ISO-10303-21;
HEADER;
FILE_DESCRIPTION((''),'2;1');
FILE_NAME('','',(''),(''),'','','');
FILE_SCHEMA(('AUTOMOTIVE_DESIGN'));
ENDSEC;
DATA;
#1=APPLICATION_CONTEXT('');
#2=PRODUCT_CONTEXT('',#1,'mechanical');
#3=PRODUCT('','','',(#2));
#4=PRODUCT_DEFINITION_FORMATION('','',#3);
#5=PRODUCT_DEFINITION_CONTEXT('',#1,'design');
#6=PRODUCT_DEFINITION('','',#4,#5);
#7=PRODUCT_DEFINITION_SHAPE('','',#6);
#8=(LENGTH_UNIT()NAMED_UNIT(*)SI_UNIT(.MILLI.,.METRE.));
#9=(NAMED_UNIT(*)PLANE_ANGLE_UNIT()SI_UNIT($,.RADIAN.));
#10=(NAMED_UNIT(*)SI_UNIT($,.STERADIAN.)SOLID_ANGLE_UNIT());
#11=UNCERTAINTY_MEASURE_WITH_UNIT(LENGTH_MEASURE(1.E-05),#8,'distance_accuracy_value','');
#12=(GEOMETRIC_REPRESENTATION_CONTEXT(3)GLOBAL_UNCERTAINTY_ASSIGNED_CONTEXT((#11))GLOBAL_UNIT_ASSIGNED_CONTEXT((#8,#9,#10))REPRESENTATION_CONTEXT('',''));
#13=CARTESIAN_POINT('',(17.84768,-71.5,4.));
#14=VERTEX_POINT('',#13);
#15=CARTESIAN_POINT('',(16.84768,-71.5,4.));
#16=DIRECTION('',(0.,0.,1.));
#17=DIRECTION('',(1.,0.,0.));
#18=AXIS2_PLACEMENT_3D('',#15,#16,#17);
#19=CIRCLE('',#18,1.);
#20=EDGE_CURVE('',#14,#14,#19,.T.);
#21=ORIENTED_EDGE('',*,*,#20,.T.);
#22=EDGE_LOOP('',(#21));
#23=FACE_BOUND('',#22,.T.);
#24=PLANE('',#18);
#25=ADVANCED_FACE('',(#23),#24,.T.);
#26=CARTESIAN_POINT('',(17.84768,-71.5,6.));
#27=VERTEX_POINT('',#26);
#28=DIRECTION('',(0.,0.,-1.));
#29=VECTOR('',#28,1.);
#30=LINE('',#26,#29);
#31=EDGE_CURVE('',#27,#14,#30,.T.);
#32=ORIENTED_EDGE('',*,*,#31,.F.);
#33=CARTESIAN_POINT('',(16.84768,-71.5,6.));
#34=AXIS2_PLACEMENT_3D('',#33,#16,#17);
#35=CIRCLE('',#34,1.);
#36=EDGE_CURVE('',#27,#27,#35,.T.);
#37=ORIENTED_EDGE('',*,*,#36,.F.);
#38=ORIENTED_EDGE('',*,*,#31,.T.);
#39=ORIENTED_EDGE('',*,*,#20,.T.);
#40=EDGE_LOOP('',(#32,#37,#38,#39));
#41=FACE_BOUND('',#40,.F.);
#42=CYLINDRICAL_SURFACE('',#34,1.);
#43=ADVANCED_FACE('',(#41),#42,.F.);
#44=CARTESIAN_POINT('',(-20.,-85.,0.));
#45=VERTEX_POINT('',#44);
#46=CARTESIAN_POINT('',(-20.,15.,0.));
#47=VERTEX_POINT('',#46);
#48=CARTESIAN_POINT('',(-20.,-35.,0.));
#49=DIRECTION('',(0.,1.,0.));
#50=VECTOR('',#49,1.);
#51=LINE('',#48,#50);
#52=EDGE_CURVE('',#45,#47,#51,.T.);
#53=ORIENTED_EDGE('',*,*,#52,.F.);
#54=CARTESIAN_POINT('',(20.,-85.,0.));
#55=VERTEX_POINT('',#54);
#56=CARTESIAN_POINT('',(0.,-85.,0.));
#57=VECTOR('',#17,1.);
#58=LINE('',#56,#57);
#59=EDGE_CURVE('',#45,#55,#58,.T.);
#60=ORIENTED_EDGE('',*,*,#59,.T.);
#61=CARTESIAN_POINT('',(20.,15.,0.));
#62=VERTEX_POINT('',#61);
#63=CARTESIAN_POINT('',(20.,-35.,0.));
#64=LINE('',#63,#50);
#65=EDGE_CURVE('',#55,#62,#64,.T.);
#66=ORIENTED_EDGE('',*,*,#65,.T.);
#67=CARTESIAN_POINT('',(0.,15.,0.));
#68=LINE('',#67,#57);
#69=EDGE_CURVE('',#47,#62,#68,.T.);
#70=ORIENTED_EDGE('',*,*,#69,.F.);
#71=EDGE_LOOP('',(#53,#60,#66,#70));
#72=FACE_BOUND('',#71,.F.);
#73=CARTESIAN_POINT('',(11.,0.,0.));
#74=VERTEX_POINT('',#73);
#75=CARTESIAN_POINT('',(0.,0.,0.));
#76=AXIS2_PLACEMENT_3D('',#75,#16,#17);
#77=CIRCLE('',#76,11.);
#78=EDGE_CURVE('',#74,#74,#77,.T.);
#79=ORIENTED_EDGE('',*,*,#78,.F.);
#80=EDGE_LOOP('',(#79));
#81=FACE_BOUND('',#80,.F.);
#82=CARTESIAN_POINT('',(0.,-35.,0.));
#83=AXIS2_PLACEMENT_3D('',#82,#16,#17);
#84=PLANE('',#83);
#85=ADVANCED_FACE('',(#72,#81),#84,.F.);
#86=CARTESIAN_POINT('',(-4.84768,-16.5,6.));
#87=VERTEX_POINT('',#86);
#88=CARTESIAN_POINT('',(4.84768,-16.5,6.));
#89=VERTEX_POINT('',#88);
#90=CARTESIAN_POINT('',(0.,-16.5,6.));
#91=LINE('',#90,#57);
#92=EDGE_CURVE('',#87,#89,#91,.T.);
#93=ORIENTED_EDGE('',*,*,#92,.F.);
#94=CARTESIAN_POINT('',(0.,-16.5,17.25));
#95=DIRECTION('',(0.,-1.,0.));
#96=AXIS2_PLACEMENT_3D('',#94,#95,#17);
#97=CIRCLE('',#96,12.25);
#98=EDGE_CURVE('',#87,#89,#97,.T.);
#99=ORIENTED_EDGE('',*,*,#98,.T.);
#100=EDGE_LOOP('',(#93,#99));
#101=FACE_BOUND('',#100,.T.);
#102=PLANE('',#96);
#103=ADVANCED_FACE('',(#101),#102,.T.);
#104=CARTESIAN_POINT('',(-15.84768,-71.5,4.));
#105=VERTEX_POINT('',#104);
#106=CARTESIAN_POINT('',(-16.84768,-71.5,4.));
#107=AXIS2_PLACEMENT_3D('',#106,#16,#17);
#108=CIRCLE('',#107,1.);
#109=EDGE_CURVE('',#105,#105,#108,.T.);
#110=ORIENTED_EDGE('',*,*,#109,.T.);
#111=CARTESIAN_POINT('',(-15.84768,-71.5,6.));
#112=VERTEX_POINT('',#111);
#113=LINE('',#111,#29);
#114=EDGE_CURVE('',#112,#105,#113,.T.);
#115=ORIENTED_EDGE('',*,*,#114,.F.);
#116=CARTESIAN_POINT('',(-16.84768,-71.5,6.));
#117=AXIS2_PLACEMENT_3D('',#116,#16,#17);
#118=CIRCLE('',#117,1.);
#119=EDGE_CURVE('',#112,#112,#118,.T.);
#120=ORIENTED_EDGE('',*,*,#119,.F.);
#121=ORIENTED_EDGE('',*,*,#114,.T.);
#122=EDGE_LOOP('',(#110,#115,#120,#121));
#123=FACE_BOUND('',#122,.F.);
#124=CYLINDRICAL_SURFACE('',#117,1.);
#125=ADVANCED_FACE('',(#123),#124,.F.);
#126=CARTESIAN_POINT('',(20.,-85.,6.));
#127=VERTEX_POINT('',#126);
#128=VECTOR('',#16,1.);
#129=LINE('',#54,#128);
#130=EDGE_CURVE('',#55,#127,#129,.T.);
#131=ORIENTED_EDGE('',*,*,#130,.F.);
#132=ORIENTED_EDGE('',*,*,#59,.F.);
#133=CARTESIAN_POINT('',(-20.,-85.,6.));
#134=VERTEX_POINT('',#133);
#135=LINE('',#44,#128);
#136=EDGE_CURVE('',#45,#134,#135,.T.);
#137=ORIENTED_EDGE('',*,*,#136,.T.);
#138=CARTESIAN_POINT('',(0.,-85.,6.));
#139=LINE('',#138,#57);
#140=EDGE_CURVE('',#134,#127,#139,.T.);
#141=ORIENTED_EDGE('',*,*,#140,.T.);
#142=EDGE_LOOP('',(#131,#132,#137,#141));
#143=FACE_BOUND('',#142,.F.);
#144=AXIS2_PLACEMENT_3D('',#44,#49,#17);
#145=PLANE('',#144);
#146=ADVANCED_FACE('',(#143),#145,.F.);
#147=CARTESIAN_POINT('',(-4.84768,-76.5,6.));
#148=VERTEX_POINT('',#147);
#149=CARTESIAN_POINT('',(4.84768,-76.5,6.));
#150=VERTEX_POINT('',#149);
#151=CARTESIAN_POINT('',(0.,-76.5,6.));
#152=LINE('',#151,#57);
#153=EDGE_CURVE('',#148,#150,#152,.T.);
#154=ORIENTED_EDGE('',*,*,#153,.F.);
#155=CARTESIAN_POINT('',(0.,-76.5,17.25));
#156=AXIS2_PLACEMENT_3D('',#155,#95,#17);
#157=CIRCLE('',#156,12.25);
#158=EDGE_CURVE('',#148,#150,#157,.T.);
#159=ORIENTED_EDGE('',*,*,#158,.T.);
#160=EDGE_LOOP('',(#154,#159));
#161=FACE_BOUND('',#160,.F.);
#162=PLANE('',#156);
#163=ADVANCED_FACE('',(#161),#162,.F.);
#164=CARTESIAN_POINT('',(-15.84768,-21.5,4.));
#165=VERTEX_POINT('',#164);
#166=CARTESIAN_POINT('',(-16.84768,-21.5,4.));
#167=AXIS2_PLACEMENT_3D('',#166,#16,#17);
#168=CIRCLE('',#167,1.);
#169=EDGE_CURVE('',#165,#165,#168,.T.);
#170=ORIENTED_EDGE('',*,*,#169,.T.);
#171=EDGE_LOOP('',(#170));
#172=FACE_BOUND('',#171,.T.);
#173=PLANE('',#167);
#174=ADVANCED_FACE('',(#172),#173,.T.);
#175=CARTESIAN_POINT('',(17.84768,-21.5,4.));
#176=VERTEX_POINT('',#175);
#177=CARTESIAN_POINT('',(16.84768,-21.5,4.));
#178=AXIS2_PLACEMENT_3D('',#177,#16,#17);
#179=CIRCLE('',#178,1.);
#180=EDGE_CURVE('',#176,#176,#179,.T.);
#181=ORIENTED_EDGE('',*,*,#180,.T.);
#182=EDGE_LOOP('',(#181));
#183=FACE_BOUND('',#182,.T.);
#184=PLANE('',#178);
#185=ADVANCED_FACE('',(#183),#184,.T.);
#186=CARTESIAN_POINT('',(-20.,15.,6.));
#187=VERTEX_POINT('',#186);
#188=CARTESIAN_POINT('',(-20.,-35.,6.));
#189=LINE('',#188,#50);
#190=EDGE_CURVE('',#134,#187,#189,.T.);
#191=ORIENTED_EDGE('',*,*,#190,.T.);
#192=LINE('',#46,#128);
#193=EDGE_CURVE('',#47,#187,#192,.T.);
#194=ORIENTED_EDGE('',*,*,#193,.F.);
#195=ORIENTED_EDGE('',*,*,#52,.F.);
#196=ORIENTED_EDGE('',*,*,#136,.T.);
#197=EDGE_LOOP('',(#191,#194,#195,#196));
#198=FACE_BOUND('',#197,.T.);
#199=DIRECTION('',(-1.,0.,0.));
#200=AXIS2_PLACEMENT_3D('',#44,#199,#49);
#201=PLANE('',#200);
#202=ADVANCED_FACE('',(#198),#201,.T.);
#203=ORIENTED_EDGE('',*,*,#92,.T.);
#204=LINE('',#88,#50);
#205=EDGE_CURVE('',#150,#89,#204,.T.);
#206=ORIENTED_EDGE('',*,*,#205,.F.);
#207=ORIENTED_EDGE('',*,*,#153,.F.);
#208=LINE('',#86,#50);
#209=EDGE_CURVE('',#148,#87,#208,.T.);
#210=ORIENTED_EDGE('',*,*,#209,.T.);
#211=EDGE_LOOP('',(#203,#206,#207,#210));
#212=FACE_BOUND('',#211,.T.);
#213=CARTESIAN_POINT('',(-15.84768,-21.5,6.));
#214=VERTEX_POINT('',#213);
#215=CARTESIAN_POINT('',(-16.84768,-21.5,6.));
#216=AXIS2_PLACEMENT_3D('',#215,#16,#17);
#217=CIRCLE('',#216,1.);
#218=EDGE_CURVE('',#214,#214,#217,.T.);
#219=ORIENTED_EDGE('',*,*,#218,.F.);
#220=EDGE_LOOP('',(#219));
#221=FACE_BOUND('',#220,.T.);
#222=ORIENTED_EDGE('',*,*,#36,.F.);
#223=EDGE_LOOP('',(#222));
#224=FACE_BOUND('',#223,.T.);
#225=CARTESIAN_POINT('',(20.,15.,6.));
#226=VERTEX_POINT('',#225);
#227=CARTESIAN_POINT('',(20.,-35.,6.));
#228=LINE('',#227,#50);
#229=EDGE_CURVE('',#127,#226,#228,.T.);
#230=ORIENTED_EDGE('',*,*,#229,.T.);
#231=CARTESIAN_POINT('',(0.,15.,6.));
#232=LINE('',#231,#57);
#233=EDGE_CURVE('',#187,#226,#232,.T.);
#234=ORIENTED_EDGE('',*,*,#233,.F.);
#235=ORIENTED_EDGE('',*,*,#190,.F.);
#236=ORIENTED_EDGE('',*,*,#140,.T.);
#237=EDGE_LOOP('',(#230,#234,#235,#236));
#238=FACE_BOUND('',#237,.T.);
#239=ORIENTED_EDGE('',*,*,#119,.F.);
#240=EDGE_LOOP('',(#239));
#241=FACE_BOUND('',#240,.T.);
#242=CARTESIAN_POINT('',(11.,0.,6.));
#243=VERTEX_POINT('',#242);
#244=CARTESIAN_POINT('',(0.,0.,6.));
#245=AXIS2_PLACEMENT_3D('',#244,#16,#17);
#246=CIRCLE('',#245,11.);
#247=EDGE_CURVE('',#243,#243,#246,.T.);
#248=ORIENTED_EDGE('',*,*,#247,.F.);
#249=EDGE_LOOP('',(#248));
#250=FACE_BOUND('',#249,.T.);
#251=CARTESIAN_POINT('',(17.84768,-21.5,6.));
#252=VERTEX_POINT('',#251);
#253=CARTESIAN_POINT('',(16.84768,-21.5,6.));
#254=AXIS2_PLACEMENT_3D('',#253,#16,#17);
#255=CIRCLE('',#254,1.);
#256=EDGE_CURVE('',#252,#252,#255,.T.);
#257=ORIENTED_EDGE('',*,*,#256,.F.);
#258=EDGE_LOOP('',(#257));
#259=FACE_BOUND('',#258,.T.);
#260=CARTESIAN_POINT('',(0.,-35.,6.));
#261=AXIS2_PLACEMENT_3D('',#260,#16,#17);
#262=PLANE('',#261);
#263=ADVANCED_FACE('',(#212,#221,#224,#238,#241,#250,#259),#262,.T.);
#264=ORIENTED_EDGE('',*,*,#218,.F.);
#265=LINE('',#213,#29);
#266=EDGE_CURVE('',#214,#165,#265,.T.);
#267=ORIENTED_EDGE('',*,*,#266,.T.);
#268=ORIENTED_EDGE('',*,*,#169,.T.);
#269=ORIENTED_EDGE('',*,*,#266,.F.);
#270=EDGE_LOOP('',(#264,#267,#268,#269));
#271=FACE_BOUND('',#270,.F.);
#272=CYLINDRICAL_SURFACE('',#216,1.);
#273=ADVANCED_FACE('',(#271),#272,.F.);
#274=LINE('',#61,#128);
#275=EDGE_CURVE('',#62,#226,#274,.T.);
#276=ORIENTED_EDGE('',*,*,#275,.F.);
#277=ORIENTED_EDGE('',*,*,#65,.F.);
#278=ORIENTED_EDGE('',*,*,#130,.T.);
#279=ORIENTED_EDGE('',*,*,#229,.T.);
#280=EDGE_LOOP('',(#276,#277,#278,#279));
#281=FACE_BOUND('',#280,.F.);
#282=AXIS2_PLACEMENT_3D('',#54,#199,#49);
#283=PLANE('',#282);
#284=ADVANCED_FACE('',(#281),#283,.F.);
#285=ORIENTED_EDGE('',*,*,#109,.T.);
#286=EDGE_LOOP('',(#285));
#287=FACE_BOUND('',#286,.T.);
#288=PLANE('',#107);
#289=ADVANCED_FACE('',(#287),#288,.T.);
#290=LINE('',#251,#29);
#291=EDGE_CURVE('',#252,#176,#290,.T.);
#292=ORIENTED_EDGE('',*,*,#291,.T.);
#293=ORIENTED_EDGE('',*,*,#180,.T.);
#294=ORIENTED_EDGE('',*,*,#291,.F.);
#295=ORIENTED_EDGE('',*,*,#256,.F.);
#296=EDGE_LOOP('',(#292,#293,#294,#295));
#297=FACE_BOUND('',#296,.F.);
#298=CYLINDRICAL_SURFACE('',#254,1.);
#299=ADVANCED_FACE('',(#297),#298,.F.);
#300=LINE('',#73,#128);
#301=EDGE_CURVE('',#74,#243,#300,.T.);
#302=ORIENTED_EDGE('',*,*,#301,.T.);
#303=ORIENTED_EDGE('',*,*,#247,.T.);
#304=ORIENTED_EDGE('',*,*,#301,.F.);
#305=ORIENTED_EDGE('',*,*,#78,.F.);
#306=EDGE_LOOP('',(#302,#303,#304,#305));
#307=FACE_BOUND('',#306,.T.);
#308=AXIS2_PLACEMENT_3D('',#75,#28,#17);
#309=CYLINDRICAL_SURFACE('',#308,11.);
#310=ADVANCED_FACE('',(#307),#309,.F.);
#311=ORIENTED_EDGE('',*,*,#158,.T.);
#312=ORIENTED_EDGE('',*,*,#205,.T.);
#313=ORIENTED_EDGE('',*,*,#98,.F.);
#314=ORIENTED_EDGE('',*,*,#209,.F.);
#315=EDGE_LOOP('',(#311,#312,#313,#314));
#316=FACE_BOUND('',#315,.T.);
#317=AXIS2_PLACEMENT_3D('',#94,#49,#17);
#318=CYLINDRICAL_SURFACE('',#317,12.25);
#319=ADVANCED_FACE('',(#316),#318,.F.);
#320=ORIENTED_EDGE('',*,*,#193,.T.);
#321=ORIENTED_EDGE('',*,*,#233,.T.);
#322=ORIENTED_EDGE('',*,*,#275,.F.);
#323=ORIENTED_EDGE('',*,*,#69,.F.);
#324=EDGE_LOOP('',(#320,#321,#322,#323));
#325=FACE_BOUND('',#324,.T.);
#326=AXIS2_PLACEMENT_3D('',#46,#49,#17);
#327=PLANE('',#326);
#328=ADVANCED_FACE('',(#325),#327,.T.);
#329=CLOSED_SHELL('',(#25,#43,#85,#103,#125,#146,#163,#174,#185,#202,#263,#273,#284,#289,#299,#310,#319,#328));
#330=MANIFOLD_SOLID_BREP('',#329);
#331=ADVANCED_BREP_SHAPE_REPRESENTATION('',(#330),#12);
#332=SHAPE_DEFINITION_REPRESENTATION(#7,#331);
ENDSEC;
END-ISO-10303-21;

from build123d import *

# Parameters (mm, degrees)
F0_W     = 40
F0_H     = 100
F0_R     = 11
F1_DEPTH = 6
F3_START = 16.5
F2_R     = 12.25
F3_DEPTH = 60
F4_R     = 1
F5_DEPTH = 2


with BuildPart() as f1:
    # F0 (on Top) → F1 (new body)
    with BuildSketch(Plane.XY):
        with Locations((0, -35)):
            Rectangle(F0_W, F0_H)
        Circle(F0_R, mode=Mode.SUBTRACT)
    extrude(amount=F1_DEPTH)

    # F2 (on Front) → F3 (cut)
    with BuildSketch(Plane.XZ.offset(F3_START)):
        with Locations((0, 17.25)):
            Circle(F2_R)
    extrude(amount=F3_DEPTH, mode=Mode.SUBTRACT)

    # F4 (on face) → F5 (cut)
    with BuildSketch(Plane.XY.offset(6)):
        with Locations((-16.8476798574, -21.5)):
            Circle(F4_R)
        with Locations((16.8476798574, -21.5)):
            Circle(F4_R)
        with Locations((-16.8476798574, -71.5)):
            Circle(F4_R)
        with Locations((16.8476798574, -71.5)):
            Circle(F4_R)
    extrude(amount=-F5_DEPTH, mode=Mode.SUBTRACT)


solid = f1.part
